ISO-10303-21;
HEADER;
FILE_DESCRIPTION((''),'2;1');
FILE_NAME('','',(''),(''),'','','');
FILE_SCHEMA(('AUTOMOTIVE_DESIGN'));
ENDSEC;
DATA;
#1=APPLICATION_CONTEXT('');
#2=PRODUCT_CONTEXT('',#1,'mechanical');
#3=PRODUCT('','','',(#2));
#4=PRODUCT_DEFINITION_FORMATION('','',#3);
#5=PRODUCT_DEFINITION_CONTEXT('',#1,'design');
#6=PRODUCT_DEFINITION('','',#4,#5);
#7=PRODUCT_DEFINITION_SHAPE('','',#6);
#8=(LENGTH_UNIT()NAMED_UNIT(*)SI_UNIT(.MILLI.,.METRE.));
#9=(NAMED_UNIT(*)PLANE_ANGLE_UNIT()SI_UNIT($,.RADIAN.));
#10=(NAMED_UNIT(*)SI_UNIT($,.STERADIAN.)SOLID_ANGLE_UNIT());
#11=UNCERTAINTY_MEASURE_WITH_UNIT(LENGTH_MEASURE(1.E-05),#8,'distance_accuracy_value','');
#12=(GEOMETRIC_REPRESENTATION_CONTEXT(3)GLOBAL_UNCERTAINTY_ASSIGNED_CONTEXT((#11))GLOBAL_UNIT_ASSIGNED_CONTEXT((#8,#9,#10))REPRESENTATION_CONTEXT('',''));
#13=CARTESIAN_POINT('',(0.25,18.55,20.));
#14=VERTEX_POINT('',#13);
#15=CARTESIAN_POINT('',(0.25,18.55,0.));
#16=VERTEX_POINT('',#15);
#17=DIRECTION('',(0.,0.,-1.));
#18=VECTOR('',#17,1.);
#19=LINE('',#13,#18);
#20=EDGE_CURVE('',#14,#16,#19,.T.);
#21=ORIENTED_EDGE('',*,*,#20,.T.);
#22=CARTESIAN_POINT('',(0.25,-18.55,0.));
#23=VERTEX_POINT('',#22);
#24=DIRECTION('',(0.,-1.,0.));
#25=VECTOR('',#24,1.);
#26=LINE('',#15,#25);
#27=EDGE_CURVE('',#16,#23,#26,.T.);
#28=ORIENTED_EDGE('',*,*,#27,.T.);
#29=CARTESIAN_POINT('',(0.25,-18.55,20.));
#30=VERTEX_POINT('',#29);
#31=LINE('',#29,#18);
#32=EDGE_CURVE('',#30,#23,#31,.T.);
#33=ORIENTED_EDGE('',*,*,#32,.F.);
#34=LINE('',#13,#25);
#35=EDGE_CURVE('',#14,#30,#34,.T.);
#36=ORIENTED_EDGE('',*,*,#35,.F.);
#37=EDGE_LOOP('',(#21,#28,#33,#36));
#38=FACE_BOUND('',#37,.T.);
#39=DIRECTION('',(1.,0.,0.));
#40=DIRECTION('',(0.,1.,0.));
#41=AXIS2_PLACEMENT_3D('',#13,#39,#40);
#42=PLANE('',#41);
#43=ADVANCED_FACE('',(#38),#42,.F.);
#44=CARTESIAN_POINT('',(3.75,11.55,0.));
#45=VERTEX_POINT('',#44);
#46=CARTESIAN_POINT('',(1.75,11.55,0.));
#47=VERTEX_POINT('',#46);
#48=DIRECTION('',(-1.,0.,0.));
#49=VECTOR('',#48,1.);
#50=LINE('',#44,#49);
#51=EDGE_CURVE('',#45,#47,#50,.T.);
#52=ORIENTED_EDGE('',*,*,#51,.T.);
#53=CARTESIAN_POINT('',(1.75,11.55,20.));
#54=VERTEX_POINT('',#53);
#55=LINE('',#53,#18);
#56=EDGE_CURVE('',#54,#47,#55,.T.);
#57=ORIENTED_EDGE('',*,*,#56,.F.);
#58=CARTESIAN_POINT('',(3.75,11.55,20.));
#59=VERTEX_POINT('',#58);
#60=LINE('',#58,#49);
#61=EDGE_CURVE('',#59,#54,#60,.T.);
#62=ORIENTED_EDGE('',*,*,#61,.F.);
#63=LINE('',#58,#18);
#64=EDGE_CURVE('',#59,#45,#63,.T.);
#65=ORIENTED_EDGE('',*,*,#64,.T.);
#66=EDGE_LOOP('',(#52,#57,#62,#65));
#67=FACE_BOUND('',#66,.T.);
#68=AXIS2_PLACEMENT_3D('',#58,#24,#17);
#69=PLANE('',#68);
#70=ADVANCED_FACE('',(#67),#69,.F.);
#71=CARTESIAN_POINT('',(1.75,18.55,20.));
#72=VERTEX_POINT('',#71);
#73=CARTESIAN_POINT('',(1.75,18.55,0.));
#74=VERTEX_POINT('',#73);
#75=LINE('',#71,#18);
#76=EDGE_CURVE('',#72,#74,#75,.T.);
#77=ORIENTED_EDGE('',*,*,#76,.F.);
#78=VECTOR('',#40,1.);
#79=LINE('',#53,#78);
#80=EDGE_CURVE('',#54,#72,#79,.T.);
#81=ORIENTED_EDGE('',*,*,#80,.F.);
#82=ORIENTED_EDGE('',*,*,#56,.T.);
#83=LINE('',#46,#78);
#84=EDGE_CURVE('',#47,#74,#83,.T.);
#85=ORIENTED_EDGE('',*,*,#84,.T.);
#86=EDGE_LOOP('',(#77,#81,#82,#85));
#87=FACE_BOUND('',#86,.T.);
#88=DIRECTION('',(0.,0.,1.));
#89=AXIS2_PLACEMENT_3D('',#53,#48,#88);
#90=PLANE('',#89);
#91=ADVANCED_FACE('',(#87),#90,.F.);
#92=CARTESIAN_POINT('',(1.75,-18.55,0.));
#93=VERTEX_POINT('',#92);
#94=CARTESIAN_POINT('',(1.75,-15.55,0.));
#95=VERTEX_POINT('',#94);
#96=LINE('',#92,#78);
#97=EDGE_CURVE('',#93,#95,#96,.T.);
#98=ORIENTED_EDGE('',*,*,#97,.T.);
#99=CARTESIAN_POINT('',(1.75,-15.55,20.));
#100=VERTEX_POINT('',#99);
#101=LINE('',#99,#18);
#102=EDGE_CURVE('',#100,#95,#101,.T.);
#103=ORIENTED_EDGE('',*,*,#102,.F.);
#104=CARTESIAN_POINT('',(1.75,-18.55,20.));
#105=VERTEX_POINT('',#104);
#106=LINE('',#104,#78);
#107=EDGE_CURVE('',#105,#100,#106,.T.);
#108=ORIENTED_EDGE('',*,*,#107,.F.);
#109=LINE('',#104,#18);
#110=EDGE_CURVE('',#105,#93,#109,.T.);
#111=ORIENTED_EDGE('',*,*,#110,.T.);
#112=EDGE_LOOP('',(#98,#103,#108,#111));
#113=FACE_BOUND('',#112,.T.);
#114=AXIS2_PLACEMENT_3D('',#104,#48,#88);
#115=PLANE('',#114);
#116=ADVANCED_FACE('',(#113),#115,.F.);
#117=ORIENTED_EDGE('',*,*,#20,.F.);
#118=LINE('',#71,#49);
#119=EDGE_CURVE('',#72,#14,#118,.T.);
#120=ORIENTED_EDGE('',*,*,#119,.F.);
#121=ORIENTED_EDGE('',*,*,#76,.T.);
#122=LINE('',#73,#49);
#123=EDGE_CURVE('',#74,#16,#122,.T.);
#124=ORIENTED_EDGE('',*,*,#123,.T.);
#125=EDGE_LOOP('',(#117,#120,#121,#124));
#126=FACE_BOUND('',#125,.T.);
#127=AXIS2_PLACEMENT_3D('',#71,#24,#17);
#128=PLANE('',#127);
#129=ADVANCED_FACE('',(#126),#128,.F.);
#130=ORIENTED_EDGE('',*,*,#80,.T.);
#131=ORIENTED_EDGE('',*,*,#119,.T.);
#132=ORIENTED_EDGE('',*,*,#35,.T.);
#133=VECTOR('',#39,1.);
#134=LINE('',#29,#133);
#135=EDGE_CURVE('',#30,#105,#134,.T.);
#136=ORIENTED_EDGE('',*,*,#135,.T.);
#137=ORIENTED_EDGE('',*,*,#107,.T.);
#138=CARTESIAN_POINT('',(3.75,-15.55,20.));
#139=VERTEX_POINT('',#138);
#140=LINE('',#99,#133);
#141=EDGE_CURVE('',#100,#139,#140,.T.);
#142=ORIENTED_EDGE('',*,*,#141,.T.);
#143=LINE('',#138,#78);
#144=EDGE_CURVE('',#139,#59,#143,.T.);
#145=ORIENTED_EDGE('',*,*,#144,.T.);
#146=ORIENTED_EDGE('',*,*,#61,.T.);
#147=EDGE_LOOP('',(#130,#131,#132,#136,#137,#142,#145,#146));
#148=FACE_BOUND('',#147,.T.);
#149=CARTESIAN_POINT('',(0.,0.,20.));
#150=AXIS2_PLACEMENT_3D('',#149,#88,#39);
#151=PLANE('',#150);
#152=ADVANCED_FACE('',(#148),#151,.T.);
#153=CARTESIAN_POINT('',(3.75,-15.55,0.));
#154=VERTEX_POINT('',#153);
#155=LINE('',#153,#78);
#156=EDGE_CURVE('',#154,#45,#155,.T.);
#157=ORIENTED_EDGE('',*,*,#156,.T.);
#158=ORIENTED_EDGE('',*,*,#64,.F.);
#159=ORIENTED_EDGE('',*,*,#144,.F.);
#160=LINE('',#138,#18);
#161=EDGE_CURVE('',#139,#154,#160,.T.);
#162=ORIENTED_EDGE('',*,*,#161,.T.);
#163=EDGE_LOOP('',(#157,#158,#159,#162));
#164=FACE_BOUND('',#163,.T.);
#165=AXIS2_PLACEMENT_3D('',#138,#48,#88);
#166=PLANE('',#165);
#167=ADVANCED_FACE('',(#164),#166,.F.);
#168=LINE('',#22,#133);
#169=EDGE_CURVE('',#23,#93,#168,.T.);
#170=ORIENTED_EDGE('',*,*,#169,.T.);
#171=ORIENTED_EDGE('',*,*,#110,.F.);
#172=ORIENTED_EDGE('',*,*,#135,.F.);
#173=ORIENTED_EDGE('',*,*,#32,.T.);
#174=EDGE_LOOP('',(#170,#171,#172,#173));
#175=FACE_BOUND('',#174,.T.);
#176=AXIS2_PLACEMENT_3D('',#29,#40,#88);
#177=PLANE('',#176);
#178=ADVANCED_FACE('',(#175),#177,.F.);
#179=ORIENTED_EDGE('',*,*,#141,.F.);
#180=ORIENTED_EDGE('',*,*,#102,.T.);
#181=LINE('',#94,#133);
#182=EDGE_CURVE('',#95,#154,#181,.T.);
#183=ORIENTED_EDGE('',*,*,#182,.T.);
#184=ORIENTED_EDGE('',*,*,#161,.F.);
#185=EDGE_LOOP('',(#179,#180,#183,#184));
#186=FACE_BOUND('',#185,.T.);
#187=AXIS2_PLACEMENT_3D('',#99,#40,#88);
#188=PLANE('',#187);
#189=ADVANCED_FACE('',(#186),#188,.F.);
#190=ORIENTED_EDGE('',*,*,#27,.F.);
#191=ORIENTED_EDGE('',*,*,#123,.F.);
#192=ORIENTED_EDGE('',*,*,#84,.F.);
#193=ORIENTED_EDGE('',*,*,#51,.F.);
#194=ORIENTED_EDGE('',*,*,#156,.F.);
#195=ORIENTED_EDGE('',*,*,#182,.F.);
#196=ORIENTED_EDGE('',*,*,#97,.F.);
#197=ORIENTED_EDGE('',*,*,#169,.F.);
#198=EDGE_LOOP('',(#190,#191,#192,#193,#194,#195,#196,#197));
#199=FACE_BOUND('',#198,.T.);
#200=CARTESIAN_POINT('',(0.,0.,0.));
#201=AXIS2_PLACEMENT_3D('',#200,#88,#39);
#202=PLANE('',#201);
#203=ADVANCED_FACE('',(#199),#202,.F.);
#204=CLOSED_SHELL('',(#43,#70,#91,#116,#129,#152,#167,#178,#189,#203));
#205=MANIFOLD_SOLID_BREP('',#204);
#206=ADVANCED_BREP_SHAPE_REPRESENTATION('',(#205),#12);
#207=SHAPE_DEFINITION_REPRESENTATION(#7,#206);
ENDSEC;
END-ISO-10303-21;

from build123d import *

# Parameters (mm, degrees)
BOSS_EXTRUDE1_DEPTH = 20


with BuildPart() as part:
    # Sketch1 → Boss-Extrude1 (new body)
    with BuildSketch(Plane.XY):
        Polygon((1.75, 18.55), (0.25, 18.55), (0.25, -18.55), (1.75, -18.55), (1.75, -15.55), (3.75, -15.55), (3.75, 11.55), (1.75, 11.55), align=None)
    extrude(amount=BOSS_EXTRUDE1_DEPTH)


solid = part.part
